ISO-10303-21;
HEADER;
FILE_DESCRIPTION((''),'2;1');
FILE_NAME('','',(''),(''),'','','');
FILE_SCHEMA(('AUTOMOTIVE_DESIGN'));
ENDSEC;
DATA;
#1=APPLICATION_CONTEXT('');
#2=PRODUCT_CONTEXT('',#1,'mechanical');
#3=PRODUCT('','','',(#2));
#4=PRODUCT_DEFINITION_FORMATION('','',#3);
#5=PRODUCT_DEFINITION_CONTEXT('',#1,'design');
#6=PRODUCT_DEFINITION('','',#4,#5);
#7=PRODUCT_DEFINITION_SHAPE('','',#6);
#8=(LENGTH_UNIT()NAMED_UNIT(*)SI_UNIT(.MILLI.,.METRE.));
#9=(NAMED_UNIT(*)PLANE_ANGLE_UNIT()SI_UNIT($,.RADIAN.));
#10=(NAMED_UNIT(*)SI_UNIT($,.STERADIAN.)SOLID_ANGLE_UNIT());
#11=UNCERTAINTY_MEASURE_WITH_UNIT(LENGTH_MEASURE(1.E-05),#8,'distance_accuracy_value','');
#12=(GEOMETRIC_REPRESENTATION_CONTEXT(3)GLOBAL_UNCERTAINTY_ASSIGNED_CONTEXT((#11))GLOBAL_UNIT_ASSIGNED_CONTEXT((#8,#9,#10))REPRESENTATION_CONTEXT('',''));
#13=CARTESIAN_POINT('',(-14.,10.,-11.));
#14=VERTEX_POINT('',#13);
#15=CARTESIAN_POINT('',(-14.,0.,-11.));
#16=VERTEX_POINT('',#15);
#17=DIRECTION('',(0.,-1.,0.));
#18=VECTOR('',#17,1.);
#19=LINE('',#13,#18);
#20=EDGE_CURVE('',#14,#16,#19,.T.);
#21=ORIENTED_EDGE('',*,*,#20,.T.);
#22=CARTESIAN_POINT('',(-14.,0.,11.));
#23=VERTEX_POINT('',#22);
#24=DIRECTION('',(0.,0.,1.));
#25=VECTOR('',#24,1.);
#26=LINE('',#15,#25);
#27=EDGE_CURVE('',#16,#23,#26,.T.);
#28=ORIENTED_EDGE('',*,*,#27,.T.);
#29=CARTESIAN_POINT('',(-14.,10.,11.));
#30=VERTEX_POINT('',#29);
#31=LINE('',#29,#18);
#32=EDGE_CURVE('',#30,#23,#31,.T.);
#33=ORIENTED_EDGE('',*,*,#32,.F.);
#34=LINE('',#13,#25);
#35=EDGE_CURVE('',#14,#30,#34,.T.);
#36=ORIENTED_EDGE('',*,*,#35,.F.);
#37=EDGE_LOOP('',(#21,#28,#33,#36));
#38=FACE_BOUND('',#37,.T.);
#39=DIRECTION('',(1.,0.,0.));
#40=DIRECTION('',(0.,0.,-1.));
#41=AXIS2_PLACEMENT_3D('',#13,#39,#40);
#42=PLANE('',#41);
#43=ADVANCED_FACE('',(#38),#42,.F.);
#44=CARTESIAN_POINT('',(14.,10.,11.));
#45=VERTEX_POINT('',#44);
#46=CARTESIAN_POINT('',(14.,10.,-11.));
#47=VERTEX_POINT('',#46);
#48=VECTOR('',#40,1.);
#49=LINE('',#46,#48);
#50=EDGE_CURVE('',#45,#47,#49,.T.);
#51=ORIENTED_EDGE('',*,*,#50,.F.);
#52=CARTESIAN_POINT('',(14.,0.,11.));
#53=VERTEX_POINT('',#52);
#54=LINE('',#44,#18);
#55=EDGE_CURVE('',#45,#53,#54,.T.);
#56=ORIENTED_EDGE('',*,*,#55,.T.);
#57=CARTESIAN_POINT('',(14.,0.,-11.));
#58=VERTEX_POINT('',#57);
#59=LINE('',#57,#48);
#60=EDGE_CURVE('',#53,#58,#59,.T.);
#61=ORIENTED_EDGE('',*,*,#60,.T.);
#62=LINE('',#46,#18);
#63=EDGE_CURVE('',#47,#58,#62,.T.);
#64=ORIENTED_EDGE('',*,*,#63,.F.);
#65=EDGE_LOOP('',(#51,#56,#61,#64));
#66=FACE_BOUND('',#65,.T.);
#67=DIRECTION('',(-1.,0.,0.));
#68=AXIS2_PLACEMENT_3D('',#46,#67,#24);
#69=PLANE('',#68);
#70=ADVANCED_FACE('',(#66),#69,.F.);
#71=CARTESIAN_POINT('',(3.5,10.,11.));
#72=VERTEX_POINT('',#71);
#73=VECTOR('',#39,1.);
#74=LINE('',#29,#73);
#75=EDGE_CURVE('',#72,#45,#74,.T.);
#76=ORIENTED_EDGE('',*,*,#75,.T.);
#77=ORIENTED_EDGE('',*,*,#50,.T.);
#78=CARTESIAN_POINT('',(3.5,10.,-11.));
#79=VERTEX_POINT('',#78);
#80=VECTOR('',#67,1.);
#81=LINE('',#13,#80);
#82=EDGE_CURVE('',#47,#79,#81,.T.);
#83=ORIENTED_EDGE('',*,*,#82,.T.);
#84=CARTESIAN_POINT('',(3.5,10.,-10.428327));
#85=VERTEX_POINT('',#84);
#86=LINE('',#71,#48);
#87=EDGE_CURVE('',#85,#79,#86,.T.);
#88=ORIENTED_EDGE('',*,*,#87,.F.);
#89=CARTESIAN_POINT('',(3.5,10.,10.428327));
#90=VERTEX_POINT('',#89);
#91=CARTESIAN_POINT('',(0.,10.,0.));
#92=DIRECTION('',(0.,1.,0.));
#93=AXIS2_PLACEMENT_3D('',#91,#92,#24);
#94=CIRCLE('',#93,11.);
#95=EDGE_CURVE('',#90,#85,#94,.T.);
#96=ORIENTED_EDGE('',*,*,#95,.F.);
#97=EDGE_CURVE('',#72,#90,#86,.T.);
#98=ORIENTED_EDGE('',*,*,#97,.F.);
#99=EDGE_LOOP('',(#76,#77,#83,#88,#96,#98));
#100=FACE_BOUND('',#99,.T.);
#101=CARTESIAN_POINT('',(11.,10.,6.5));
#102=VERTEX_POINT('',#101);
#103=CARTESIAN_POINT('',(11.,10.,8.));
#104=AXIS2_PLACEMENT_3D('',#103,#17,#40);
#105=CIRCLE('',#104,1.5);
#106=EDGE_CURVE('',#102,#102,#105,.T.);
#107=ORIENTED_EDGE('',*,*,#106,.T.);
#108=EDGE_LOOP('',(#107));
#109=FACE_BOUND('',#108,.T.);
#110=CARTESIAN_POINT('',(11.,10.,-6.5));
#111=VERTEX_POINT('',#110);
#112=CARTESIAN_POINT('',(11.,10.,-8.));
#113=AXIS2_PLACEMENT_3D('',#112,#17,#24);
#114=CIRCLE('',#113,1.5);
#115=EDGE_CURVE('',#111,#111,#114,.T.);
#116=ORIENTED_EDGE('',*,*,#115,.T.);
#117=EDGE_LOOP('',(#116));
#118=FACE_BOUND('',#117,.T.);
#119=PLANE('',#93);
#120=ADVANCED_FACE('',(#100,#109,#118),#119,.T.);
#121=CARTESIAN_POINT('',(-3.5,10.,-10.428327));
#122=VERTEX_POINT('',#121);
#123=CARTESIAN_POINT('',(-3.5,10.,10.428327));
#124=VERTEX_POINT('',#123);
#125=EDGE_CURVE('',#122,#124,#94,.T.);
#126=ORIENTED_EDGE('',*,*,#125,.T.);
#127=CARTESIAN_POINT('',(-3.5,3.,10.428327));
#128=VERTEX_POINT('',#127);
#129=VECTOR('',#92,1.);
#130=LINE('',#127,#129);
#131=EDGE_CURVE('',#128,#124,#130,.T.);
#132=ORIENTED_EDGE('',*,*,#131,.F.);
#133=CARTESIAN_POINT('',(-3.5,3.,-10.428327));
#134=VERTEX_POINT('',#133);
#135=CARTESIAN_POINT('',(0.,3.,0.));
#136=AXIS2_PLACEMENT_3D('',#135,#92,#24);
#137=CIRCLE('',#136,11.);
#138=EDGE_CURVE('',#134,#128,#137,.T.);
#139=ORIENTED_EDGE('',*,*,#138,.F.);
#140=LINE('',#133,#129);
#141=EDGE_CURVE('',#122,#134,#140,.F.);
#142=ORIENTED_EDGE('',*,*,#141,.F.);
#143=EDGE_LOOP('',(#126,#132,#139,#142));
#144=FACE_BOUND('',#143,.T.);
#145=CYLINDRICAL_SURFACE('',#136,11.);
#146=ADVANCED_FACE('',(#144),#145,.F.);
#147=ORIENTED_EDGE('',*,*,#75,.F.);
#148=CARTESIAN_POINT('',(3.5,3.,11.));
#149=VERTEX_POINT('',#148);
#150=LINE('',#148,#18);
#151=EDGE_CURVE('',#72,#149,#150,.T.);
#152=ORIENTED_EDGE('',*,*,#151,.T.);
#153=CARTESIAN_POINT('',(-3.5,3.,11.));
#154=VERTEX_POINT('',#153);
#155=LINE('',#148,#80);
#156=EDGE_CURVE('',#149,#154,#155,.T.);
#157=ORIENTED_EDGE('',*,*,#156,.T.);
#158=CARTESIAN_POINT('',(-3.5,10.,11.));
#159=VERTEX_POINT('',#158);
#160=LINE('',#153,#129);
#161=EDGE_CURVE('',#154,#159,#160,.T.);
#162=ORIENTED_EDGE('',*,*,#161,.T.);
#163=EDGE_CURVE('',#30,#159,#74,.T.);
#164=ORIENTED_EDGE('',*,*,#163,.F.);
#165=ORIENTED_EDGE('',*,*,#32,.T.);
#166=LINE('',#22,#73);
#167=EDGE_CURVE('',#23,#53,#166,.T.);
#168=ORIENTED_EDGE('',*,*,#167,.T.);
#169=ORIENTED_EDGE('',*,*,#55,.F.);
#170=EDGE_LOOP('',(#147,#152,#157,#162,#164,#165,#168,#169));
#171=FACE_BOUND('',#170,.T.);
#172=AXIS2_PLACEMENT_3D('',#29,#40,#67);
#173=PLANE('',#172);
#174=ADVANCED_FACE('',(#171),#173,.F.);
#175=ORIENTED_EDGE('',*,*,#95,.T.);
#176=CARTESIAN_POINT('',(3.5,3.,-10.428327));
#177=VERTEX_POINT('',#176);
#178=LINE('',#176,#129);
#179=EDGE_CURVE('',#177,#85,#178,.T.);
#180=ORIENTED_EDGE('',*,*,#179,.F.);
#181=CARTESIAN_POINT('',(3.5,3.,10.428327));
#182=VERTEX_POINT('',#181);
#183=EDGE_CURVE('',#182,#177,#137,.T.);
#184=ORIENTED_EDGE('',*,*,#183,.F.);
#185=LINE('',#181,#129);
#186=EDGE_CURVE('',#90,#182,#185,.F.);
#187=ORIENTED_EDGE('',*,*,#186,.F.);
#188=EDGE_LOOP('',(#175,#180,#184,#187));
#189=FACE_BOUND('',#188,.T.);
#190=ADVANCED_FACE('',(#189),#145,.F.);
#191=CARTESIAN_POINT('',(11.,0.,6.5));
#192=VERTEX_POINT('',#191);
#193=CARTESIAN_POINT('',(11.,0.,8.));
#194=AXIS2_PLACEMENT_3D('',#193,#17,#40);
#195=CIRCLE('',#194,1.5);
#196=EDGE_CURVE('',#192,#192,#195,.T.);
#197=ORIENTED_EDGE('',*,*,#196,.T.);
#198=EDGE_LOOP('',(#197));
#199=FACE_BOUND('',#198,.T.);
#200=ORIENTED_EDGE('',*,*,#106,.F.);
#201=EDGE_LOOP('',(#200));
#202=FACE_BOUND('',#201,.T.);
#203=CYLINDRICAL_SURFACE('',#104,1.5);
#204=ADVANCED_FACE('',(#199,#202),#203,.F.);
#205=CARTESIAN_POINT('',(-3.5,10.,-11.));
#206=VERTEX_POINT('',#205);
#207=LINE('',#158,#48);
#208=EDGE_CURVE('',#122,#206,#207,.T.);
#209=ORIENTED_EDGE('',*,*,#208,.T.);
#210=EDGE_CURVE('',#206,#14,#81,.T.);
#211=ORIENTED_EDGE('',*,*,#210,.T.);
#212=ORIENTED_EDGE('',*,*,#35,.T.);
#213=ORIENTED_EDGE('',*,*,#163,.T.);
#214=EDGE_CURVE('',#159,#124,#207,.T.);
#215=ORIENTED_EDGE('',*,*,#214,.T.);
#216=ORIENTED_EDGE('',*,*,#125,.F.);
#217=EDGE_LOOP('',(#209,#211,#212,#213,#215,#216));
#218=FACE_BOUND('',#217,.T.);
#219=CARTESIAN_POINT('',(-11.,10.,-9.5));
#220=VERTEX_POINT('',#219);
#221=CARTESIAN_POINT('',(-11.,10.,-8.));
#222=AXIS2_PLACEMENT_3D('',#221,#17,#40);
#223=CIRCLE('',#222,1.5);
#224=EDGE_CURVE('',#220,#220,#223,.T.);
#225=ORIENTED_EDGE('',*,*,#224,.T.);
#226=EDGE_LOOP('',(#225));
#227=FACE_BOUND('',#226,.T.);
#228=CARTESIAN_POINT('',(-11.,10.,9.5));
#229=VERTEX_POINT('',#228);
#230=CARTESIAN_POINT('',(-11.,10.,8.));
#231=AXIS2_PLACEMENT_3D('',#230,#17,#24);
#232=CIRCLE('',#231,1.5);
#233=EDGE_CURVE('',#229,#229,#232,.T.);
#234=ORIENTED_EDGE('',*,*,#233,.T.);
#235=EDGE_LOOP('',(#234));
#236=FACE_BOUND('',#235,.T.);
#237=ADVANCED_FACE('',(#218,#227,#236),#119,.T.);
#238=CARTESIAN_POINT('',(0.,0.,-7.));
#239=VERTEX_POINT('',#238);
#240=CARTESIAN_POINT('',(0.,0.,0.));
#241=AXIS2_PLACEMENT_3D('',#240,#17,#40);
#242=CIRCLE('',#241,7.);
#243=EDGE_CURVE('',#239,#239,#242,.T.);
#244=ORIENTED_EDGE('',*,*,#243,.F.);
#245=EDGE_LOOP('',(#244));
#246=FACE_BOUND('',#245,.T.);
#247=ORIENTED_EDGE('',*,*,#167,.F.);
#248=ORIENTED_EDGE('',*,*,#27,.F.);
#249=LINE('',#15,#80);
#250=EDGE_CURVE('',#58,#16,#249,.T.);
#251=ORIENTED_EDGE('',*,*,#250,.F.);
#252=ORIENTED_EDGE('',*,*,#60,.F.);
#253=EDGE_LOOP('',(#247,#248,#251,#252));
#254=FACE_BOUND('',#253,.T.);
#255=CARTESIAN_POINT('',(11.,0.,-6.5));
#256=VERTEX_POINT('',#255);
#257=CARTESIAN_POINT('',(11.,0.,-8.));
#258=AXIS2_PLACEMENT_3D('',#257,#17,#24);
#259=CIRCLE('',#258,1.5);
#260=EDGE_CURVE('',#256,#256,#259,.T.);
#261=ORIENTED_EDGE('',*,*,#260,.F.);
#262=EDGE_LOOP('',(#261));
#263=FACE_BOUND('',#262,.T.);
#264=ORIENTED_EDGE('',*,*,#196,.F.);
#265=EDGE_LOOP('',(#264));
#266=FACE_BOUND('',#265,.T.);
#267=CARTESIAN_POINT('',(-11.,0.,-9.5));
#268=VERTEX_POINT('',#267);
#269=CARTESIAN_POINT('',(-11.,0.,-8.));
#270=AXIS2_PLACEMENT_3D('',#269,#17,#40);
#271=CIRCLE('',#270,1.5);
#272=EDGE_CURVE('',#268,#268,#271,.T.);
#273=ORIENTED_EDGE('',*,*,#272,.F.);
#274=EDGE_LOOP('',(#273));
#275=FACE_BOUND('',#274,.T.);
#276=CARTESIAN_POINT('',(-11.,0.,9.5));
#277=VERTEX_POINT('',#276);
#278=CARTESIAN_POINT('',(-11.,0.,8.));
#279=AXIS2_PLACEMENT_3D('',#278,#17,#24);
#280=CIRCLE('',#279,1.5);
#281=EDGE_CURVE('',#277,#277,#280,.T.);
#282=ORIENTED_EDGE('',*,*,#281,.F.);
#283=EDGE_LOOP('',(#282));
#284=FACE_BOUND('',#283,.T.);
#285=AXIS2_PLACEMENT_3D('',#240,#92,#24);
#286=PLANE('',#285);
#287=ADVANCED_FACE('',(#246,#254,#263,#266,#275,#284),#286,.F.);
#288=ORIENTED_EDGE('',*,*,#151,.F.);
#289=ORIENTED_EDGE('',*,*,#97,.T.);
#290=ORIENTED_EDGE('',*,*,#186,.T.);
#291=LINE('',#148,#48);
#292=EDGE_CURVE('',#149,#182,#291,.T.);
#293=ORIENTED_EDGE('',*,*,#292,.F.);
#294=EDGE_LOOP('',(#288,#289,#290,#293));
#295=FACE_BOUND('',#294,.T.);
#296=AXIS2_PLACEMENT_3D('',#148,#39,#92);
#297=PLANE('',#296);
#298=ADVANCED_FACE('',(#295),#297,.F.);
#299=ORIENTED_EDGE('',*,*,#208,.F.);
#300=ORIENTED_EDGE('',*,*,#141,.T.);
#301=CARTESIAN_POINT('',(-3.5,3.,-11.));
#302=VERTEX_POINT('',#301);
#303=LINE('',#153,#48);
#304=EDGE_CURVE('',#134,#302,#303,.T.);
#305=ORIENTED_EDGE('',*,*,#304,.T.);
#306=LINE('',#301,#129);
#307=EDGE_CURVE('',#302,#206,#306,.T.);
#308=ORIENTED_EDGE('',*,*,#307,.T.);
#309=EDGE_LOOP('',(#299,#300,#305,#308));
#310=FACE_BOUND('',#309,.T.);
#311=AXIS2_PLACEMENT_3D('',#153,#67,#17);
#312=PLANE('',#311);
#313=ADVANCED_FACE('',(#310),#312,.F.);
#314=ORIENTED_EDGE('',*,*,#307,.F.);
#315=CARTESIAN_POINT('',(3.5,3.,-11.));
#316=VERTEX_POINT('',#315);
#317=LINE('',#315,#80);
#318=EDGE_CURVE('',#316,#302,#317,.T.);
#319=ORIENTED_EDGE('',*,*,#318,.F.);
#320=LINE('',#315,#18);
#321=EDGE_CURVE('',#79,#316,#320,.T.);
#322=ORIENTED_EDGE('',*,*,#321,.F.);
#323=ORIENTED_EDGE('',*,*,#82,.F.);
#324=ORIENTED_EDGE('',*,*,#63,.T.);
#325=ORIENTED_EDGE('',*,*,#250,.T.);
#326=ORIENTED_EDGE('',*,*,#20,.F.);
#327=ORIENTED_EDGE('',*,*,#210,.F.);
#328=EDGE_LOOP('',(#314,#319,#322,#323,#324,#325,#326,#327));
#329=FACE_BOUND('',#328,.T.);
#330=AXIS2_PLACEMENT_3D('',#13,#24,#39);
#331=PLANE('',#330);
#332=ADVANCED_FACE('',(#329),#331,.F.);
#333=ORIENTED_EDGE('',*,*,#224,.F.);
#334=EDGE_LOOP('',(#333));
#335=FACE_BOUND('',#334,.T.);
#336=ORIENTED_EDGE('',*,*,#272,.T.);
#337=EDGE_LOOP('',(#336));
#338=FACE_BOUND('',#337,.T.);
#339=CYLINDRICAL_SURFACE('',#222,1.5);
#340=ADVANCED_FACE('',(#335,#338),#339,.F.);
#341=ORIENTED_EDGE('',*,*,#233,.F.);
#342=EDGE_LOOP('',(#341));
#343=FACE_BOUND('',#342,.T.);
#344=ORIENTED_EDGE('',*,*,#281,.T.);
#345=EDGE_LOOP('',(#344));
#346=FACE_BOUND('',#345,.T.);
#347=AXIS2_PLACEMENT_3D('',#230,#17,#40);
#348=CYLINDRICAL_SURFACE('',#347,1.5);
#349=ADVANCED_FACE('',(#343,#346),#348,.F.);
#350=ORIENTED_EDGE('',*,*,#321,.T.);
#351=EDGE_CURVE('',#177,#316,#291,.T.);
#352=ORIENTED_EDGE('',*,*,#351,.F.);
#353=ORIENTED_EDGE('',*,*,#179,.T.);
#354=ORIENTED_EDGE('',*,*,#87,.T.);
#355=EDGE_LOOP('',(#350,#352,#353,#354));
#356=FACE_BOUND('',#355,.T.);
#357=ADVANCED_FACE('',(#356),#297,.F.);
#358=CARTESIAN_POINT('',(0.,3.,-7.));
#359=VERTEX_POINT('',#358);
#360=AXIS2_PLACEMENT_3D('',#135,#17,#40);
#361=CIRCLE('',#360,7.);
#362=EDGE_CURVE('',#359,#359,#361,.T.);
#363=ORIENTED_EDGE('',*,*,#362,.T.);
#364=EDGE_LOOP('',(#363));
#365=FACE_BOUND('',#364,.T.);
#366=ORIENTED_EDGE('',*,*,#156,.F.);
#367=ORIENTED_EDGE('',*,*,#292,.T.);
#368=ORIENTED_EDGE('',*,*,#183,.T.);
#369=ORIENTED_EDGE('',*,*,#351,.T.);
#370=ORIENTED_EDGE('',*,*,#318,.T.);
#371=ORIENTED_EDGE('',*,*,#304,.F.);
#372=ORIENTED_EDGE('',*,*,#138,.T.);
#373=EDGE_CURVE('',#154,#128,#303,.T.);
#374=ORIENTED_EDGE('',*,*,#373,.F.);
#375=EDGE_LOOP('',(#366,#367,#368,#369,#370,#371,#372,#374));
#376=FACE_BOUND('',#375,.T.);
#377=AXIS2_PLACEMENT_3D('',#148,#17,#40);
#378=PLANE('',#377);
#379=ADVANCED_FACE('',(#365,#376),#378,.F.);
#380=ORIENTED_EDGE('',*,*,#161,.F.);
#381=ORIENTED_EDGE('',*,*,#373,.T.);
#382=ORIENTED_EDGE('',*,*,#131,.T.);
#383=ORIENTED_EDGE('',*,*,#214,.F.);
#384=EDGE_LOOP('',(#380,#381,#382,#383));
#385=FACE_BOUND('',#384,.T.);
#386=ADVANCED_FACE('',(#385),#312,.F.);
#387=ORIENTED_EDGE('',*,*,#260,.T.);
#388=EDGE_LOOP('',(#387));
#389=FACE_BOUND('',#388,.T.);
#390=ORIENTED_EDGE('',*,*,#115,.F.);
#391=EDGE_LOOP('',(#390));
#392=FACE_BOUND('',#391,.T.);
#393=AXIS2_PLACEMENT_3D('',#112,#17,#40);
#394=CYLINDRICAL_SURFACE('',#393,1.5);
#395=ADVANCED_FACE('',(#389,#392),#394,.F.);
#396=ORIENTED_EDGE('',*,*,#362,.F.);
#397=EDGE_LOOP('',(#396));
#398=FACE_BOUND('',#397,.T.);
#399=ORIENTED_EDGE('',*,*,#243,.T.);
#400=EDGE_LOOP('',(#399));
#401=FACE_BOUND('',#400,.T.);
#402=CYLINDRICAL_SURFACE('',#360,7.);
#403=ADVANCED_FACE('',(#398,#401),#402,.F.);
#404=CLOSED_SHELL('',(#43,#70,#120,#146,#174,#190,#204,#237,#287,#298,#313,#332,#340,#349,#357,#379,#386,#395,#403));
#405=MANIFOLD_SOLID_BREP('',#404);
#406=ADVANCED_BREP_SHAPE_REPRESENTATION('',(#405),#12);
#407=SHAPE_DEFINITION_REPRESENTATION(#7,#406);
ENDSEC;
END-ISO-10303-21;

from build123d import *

# Parameters (mm, degrees)
SKETCH1_W           = 28
SKETCH1_H           = 22
BOSS_EXTRUDE1_DEPTH = 10
SKETCH5_W           = 7
SKETCH5_H           = 7
CUT_EXTRUDE7_DEPTH  = 22
SKETCH2_R           = 11
CUT_EXTRUDE8_DEPTH  = 7
SKETCH6_R           = 7
CUT_EXTRUDE9_DEPTH  = 3
SKETCH7_R           = 1.5
CUT_EXTRUDE10_DEPTH = 10


with BuildPart() as part:
    # Sketch1 → Boss-Extrude1 (new body)
    with BuildSketch(Plane(origin=(0, 0, 0), x_dir=(1, 0, 0), z_dir=(0, 1, 0))):
        Rectangle(SKETCH1_W, SKETCH1_H)
    extrude(amount=BOSS_EXTRUDE1_DEPTH)

    # Sketch5 → Cut-Extrude7 (cut)
    with BuildSketch(Plane(origin=(0, 0, -11), x_dir=(-1, 0, 0), z_dir=(0, 0, -1))):
        with Locations((0, 6.5)):
            Rectangle(SKETCH5_W, SKETCH5_H)
    extrude(amount=-CUT_EXTRUDE7_DEPTH, mode=Mode.SUBTRACT)

    # Sketch2 → Cut-Extrude8 (cut)
    with BuildSketch(Plane(origin=(0, 10, 0), x_dir=(1, 0, 0), z_dir=(0, 1, 0))):
        Circle(SKETCH2_R)
    extrude(amount=-CUT_EXTRUDE8_DEPTH, mode=Mode.SUBTRACT)

    # Sketch6 → Cut-Extrude9 (cut)
    with BuildSketch(Plane.XZ):
        with Locations(Location((0, 0, 0), (0, 0, 270))):
            Circle(SKETCH6_R)
    extrude(amount=-CUT_EXTRUDE9_DEPTH, mode=Mode.SUBTRACT)

    # Sketch7 → Cut-Extrude10 (cut)
    with BuildSketch(Plane.XZ):
        with Locations(Location((11, 8, 0), (0, 0, 270))):
            Circle(SKETCH7_R)
        with Locations(Location((11, -8, 0), (0, 0, 90))):
            Circle(SKETCH7_R)
        with Locations(Location((-11, -8, 0), (0, 0, 270))):
            Circle(SKETCH7_R)
        with Locations(Location((-11, 8, 0), (0, 0, 90))):
            Circle(SKETCH7_R)
    extrude(amount=-CUT_EXTRUDE10_DEPTH, mode=Mode.SUBTRACT)


solid = part.part
